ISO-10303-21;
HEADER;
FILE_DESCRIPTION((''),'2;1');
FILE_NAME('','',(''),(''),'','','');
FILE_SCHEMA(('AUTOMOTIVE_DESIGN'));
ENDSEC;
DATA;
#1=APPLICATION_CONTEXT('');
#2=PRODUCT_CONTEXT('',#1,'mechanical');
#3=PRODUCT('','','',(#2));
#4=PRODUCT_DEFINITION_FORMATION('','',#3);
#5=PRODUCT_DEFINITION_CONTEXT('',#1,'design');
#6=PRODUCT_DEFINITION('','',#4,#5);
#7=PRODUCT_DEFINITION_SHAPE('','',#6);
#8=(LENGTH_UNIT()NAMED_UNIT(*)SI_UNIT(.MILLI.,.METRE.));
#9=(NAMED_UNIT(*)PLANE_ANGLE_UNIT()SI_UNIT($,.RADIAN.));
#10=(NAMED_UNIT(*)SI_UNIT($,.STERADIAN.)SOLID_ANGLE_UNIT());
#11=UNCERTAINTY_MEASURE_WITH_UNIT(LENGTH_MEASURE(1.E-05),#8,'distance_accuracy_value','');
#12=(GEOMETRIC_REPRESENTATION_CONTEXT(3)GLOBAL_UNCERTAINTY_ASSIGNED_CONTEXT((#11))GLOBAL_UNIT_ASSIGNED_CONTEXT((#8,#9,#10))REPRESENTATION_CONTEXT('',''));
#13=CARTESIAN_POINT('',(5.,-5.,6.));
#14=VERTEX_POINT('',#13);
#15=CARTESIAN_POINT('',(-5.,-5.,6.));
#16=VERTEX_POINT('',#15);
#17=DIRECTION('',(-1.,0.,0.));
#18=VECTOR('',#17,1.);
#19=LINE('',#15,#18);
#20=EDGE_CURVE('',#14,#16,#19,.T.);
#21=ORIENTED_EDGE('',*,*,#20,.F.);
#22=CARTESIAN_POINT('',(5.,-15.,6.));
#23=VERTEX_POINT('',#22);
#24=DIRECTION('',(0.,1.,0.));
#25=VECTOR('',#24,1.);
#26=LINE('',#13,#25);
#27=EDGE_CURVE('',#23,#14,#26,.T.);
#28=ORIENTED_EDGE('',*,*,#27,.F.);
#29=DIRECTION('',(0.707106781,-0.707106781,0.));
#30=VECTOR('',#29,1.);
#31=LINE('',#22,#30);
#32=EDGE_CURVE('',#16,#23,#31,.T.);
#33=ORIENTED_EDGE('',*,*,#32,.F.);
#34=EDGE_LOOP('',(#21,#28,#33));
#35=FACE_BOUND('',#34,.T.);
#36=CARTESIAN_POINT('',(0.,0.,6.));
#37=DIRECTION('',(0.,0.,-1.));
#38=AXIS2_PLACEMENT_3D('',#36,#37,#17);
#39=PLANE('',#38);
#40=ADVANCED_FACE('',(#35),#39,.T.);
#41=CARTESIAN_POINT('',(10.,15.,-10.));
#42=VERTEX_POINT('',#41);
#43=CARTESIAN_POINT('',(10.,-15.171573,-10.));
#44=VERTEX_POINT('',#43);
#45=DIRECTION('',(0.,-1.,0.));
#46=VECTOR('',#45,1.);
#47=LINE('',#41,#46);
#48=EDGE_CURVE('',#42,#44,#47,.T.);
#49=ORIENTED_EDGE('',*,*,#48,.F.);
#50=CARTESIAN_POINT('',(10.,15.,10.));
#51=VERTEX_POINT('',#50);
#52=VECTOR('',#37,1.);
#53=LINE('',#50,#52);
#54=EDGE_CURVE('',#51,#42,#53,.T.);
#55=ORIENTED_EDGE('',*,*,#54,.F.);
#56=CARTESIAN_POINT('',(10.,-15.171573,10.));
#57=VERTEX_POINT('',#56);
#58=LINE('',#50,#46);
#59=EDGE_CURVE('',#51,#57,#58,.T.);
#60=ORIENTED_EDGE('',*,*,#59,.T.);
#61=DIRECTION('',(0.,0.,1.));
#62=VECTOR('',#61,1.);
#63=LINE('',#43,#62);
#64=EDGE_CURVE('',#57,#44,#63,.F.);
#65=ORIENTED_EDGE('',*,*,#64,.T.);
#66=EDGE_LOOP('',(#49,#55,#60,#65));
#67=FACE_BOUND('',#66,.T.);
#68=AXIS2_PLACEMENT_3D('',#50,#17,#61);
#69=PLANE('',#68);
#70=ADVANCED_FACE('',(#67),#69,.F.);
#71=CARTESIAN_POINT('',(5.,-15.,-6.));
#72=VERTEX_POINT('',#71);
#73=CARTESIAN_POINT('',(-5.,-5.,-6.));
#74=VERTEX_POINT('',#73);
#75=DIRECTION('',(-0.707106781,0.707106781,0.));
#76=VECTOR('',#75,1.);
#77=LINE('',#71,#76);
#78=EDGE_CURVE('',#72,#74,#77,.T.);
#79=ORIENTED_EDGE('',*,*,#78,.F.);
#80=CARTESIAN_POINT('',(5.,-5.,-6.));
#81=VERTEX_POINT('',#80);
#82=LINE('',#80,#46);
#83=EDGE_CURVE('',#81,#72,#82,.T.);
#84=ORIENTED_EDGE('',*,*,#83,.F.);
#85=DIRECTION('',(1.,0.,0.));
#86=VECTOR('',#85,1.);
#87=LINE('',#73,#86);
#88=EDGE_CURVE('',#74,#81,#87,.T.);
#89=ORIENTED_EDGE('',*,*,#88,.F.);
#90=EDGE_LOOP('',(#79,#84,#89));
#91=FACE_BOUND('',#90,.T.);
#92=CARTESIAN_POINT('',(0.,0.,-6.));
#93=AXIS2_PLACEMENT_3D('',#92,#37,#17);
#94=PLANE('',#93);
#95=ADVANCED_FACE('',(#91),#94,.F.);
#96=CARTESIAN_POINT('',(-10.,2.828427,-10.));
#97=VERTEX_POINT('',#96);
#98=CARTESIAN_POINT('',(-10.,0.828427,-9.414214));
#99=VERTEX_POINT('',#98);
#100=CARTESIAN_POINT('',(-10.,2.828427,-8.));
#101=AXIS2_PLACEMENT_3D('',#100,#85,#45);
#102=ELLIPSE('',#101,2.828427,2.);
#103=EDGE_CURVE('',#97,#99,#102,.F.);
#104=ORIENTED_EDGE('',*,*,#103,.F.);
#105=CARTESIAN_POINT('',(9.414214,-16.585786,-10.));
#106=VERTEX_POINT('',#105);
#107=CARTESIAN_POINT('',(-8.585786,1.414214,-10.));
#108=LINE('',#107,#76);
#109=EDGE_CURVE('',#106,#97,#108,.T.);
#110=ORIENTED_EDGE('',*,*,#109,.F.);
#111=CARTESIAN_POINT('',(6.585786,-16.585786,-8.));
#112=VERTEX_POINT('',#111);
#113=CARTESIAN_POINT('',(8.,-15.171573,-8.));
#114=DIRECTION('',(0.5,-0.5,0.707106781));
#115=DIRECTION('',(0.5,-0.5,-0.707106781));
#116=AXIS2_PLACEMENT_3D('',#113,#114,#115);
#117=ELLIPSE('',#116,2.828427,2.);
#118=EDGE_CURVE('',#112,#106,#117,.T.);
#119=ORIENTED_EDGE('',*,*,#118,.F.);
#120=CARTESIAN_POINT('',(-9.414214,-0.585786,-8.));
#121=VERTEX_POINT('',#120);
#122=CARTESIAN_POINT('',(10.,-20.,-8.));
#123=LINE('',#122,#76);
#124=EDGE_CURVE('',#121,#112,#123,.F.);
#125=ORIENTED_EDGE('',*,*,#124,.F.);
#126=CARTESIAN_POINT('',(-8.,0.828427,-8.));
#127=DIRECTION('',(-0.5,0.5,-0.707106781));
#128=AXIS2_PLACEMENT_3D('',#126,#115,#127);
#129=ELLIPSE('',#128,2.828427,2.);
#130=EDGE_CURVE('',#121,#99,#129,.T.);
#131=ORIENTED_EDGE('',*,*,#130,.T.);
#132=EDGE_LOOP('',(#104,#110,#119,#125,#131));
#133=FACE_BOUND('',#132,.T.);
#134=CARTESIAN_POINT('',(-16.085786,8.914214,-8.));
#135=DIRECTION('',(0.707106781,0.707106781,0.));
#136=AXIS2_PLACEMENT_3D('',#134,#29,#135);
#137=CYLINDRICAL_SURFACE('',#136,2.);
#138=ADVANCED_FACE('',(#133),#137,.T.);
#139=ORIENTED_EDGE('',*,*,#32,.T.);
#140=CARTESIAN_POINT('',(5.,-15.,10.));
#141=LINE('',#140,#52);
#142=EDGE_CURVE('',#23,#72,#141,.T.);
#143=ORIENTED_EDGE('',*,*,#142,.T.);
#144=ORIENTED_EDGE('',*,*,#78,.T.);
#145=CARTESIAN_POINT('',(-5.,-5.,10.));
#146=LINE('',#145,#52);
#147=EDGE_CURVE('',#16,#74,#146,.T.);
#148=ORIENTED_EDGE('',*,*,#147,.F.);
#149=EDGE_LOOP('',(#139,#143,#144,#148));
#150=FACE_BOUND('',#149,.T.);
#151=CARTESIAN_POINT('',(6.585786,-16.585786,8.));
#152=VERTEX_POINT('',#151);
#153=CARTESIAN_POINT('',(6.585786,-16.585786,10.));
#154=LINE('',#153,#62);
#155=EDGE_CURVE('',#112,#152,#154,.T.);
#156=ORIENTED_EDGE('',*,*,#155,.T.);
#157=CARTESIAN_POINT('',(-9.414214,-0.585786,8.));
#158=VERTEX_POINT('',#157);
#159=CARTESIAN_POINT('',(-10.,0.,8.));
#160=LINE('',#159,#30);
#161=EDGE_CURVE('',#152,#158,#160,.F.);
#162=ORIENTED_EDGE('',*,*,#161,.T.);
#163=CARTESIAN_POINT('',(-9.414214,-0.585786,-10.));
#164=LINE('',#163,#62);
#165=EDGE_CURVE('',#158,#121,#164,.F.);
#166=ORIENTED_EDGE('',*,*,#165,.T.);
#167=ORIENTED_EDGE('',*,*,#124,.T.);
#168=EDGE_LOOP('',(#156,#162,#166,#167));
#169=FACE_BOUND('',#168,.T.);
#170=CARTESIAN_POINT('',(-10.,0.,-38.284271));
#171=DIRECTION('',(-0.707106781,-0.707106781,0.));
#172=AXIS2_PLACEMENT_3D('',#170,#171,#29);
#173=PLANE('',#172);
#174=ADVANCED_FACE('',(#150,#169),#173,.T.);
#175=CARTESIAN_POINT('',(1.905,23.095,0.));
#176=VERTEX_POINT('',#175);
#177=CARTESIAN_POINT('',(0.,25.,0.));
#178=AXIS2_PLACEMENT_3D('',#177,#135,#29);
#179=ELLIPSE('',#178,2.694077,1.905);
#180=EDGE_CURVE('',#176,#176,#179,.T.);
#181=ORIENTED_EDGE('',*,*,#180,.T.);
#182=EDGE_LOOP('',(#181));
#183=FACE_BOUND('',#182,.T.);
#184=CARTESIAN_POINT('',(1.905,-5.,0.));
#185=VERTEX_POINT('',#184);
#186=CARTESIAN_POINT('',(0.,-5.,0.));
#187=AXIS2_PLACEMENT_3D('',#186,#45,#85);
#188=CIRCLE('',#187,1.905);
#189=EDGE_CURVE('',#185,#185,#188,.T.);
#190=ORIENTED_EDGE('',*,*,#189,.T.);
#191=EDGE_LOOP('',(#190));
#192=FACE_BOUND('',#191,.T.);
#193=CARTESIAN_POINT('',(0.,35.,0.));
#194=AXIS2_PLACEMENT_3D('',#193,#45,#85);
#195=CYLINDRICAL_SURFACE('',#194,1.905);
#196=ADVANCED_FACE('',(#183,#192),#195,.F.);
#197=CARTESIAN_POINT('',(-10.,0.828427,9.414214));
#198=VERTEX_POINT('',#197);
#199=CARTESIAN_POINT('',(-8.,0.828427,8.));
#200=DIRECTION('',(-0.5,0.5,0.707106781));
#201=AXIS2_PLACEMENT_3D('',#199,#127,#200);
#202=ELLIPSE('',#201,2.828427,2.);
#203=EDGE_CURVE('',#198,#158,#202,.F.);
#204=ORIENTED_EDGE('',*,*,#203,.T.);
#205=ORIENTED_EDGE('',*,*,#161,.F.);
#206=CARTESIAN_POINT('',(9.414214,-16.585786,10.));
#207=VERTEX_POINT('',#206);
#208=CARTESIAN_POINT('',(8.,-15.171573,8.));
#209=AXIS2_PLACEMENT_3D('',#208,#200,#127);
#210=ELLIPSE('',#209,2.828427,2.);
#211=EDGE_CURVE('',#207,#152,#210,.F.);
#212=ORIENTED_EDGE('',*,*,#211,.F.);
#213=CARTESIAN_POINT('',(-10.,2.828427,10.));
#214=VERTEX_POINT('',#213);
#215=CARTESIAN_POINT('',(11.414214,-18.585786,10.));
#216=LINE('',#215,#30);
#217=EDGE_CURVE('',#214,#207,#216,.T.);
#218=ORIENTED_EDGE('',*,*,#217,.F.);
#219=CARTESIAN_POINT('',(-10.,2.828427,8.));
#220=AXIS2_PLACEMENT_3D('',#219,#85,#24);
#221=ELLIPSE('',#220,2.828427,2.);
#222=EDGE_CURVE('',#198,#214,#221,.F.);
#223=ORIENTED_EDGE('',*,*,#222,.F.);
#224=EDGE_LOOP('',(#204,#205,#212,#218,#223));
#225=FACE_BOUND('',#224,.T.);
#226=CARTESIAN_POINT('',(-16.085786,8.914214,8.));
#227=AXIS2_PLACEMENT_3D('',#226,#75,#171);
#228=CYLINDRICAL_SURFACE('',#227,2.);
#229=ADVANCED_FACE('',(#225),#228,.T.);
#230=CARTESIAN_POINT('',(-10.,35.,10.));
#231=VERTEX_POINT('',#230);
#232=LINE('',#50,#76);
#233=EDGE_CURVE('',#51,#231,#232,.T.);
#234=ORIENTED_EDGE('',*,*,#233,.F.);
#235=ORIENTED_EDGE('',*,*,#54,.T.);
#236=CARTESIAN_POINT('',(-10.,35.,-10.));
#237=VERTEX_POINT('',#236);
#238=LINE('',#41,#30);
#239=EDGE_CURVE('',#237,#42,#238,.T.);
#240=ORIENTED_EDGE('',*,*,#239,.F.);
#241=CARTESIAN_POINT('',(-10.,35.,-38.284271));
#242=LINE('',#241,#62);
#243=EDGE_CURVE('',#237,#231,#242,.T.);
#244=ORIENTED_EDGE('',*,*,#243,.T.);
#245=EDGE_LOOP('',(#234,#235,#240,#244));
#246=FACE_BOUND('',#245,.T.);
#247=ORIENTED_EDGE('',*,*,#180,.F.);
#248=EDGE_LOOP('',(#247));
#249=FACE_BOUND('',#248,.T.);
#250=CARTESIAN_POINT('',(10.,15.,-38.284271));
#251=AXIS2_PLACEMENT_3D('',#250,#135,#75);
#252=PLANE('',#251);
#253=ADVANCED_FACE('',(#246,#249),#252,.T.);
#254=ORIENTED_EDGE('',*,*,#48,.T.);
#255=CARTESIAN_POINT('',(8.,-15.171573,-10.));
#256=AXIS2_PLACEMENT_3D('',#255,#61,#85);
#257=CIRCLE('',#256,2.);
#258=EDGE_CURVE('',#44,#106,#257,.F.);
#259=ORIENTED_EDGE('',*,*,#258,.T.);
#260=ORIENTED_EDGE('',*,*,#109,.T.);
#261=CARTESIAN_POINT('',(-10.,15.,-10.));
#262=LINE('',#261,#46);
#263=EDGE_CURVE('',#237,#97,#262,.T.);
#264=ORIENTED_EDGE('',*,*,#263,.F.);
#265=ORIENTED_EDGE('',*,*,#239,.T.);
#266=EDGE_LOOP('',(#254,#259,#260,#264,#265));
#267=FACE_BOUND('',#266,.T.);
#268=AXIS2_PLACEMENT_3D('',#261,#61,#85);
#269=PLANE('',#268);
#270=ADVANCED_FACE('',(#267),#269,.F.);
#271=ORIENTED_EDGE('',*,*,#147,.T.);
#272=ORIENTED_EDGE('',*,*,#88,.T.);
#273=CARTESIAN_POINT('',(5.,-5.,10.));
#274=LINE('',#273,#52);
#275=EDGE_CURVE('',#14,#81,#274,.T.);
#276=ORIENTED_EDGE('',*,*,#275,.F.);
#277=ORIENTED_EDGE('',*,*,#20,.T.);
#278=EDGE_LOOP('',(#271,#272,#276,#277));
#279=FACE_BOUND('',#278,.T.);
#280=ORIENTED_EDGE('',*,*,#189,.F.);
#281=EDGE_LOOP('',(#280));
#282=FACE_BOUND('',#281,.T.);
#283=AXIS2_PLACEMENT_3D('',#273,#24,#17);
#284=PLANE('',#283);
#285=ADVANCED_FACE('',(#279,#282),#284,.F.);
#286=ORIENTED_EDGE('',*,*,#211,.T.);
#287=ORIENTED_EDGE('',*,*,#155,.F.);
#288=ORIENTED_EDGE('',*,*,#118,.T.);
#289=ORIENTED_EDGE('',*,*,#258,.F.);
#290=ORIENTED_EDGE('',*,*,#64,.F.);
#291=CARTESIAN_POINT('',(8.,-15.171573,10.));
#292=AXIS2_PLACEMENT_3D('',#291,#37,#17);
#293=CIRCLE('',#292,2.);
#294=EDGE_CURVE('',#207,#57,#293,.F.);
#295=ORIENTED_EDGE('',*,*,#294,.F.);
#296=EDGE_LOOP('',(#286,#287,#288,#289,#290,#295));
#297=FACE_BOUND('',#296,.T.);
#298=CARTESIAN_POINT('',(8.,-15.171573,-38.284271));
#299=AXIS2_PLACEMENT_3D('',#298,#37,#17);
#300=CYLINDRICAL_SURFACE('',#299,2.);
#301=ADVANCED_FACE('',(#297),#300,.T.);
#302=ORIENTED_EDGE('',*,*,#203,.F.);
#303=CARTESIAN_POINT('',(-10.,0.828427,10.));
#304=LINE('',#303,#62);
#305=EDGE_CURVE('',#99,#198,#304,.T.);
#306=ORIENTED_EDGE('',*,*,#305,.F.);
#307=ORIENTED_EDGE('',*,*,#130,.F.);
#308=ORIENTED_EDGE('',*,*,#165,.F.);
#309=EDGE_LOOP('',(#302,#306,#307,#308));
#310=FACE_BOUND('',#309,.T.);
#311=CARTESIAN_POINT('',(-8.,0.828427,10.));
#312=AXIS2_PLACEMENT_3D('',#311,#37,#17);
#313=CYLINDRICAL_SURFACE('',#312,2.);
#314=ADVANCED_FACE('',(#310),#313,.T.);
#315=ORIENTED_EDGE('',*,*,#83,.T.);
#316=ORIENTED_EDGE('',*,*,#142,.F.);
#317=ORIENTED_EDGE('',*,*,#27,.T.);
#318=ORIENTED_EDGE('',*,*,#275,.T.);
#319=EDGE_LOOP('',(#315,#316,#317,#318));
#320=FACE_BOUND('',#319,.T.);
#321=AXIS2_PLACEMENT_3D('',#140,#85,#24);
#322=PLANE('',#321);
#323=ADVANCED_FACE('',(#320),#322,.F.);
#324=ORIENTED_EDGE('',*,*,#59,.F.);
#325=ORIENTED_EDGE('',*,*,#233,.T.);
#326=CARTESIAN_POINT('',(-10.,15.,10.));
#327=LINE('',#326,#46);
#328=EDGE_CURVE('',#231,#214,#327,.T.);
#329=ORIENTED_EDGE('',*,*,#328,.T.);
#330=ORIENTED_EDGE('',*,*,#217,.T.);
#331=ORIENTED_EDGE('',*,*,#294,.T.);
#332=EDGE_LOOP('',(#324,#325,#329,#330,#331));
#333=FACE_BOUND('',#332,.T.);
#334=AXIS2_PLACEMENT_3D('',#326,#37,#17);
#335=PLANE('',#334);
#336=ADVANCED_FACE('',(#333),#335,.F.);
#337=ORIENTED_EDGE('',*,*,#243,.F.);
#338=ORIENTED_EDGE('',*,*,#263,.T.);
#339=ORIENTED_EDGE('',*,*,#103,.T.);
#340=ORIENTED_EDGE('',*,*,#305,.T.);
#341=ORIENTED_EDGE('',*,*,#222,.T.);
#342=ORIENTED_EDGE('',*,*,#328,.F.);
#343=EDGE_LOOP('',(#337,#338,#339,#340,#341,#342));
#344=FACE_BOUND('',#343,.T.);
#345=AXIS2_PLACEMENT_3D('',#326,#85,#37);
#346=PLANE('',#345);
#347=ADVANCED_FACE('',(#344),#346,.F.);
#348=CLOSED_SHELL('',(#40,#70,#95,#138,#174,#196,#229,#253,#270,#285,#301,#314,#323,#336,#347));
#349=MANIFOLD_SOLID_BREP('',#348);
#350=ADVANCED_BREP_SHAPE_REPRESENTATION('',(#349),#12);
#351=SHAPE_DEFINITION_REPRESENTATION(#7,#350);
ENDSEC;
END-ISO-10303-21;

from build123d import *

# Parameters (mm, degrees)
SKETCH1_W           = 20
SKETCH1_H           = 20
BOSS_EXTRUDE1_DEPTH = 15
BOSS_EXTRUDE2_DEPTH = 20
CUT_EXTRUDE1_DEPTH  = 42.533119315
SKETCH4_R           = 1.905
CUT_EXTRUDE2_DEPTH  = 43.426406871
BOSS_EXTRUDE3_DEPTH = 4
BOSS_EXTRUDE4_DEPTH = 4
FILLET1_R           = 2


with BuildPart() as part:
    # Sketch1 → Boss-Extrude1 (new body)
    with BuildSketch(Plane(origin=(0, 0, 0), x_dir=(1, 0, 0), z_dir=(0, 1, 0))):
        Rectangle(SKETCH1_W, SKETCH1_H)
    extrude(amount=BOSS_EXTRUDE1_DEPTH)

    # Sketch2 → Boss-Extrude2 (add)
    with BuildSketch(Plane.XY.offset(10)):
        Polygon((10, 15), (-10, 35), (-10, 15), align=None)
        Polygon((-10, 0), (10, -20), (10, 0), align=None)
    extrude(amount=-BOSS_EXTRUDE2_DEPTH)

    # Sketch3 → Cut-Extrude1 (cut, through all)
    with BuildSketch(Plane(origin=(0, 0, -10), x_dir=(-1, 0, 0), z_dir=(0, 0, -1))):
        Polygon((-5, -15), (-5, -5), (5, -5), align=None)
    extrude(amount=-CUT_EXTRUDE1_DEPTH, mode=Mode.SUBTRACT)

    # Sketch4 → Cut-Extrude2 (cut, through all)
    with BuildSketch(Plane.XZ.offset(5)):
        Circle(SKETCH4_R)
    extrude(amount=-CUT_EXTRUDE2_DEPTH, mode=Mode.SUBTRACT)

    # Sketch5 → Boss-Extrude3 (add)
    with BuildSketch(Plane.XY.offset(10)):
        Polygon((5, -5), (5, -15), (-5, -5), align=None)
    extrude(amount=-BOSS_EXTRUDE3_DEPTH)

    # Sketch6 → Boss-Extrude4 (add)
    with BuildSketch(Plane(origin=(0, 0, -10), x_dir=(-1, 0, 0), z_dir=(0, 0, -1))):
        Polygon((5, -5), (-5, -5), (-5, -15), align=None)
    extrude(amount=-BOSS_EXTRUDE4_DEPTH)

    # Fillet1
    fillet1_edges = [part.edges().sort_by_distance(p)[0] for p in [
        (10, -20, 0),
        (0, -10, 10),
        (0, -10, -10),
        (-10, 0, 0),
    ]]
    fillet(fillet1_edges, radius=FILLET1_R)


solid = part.part
